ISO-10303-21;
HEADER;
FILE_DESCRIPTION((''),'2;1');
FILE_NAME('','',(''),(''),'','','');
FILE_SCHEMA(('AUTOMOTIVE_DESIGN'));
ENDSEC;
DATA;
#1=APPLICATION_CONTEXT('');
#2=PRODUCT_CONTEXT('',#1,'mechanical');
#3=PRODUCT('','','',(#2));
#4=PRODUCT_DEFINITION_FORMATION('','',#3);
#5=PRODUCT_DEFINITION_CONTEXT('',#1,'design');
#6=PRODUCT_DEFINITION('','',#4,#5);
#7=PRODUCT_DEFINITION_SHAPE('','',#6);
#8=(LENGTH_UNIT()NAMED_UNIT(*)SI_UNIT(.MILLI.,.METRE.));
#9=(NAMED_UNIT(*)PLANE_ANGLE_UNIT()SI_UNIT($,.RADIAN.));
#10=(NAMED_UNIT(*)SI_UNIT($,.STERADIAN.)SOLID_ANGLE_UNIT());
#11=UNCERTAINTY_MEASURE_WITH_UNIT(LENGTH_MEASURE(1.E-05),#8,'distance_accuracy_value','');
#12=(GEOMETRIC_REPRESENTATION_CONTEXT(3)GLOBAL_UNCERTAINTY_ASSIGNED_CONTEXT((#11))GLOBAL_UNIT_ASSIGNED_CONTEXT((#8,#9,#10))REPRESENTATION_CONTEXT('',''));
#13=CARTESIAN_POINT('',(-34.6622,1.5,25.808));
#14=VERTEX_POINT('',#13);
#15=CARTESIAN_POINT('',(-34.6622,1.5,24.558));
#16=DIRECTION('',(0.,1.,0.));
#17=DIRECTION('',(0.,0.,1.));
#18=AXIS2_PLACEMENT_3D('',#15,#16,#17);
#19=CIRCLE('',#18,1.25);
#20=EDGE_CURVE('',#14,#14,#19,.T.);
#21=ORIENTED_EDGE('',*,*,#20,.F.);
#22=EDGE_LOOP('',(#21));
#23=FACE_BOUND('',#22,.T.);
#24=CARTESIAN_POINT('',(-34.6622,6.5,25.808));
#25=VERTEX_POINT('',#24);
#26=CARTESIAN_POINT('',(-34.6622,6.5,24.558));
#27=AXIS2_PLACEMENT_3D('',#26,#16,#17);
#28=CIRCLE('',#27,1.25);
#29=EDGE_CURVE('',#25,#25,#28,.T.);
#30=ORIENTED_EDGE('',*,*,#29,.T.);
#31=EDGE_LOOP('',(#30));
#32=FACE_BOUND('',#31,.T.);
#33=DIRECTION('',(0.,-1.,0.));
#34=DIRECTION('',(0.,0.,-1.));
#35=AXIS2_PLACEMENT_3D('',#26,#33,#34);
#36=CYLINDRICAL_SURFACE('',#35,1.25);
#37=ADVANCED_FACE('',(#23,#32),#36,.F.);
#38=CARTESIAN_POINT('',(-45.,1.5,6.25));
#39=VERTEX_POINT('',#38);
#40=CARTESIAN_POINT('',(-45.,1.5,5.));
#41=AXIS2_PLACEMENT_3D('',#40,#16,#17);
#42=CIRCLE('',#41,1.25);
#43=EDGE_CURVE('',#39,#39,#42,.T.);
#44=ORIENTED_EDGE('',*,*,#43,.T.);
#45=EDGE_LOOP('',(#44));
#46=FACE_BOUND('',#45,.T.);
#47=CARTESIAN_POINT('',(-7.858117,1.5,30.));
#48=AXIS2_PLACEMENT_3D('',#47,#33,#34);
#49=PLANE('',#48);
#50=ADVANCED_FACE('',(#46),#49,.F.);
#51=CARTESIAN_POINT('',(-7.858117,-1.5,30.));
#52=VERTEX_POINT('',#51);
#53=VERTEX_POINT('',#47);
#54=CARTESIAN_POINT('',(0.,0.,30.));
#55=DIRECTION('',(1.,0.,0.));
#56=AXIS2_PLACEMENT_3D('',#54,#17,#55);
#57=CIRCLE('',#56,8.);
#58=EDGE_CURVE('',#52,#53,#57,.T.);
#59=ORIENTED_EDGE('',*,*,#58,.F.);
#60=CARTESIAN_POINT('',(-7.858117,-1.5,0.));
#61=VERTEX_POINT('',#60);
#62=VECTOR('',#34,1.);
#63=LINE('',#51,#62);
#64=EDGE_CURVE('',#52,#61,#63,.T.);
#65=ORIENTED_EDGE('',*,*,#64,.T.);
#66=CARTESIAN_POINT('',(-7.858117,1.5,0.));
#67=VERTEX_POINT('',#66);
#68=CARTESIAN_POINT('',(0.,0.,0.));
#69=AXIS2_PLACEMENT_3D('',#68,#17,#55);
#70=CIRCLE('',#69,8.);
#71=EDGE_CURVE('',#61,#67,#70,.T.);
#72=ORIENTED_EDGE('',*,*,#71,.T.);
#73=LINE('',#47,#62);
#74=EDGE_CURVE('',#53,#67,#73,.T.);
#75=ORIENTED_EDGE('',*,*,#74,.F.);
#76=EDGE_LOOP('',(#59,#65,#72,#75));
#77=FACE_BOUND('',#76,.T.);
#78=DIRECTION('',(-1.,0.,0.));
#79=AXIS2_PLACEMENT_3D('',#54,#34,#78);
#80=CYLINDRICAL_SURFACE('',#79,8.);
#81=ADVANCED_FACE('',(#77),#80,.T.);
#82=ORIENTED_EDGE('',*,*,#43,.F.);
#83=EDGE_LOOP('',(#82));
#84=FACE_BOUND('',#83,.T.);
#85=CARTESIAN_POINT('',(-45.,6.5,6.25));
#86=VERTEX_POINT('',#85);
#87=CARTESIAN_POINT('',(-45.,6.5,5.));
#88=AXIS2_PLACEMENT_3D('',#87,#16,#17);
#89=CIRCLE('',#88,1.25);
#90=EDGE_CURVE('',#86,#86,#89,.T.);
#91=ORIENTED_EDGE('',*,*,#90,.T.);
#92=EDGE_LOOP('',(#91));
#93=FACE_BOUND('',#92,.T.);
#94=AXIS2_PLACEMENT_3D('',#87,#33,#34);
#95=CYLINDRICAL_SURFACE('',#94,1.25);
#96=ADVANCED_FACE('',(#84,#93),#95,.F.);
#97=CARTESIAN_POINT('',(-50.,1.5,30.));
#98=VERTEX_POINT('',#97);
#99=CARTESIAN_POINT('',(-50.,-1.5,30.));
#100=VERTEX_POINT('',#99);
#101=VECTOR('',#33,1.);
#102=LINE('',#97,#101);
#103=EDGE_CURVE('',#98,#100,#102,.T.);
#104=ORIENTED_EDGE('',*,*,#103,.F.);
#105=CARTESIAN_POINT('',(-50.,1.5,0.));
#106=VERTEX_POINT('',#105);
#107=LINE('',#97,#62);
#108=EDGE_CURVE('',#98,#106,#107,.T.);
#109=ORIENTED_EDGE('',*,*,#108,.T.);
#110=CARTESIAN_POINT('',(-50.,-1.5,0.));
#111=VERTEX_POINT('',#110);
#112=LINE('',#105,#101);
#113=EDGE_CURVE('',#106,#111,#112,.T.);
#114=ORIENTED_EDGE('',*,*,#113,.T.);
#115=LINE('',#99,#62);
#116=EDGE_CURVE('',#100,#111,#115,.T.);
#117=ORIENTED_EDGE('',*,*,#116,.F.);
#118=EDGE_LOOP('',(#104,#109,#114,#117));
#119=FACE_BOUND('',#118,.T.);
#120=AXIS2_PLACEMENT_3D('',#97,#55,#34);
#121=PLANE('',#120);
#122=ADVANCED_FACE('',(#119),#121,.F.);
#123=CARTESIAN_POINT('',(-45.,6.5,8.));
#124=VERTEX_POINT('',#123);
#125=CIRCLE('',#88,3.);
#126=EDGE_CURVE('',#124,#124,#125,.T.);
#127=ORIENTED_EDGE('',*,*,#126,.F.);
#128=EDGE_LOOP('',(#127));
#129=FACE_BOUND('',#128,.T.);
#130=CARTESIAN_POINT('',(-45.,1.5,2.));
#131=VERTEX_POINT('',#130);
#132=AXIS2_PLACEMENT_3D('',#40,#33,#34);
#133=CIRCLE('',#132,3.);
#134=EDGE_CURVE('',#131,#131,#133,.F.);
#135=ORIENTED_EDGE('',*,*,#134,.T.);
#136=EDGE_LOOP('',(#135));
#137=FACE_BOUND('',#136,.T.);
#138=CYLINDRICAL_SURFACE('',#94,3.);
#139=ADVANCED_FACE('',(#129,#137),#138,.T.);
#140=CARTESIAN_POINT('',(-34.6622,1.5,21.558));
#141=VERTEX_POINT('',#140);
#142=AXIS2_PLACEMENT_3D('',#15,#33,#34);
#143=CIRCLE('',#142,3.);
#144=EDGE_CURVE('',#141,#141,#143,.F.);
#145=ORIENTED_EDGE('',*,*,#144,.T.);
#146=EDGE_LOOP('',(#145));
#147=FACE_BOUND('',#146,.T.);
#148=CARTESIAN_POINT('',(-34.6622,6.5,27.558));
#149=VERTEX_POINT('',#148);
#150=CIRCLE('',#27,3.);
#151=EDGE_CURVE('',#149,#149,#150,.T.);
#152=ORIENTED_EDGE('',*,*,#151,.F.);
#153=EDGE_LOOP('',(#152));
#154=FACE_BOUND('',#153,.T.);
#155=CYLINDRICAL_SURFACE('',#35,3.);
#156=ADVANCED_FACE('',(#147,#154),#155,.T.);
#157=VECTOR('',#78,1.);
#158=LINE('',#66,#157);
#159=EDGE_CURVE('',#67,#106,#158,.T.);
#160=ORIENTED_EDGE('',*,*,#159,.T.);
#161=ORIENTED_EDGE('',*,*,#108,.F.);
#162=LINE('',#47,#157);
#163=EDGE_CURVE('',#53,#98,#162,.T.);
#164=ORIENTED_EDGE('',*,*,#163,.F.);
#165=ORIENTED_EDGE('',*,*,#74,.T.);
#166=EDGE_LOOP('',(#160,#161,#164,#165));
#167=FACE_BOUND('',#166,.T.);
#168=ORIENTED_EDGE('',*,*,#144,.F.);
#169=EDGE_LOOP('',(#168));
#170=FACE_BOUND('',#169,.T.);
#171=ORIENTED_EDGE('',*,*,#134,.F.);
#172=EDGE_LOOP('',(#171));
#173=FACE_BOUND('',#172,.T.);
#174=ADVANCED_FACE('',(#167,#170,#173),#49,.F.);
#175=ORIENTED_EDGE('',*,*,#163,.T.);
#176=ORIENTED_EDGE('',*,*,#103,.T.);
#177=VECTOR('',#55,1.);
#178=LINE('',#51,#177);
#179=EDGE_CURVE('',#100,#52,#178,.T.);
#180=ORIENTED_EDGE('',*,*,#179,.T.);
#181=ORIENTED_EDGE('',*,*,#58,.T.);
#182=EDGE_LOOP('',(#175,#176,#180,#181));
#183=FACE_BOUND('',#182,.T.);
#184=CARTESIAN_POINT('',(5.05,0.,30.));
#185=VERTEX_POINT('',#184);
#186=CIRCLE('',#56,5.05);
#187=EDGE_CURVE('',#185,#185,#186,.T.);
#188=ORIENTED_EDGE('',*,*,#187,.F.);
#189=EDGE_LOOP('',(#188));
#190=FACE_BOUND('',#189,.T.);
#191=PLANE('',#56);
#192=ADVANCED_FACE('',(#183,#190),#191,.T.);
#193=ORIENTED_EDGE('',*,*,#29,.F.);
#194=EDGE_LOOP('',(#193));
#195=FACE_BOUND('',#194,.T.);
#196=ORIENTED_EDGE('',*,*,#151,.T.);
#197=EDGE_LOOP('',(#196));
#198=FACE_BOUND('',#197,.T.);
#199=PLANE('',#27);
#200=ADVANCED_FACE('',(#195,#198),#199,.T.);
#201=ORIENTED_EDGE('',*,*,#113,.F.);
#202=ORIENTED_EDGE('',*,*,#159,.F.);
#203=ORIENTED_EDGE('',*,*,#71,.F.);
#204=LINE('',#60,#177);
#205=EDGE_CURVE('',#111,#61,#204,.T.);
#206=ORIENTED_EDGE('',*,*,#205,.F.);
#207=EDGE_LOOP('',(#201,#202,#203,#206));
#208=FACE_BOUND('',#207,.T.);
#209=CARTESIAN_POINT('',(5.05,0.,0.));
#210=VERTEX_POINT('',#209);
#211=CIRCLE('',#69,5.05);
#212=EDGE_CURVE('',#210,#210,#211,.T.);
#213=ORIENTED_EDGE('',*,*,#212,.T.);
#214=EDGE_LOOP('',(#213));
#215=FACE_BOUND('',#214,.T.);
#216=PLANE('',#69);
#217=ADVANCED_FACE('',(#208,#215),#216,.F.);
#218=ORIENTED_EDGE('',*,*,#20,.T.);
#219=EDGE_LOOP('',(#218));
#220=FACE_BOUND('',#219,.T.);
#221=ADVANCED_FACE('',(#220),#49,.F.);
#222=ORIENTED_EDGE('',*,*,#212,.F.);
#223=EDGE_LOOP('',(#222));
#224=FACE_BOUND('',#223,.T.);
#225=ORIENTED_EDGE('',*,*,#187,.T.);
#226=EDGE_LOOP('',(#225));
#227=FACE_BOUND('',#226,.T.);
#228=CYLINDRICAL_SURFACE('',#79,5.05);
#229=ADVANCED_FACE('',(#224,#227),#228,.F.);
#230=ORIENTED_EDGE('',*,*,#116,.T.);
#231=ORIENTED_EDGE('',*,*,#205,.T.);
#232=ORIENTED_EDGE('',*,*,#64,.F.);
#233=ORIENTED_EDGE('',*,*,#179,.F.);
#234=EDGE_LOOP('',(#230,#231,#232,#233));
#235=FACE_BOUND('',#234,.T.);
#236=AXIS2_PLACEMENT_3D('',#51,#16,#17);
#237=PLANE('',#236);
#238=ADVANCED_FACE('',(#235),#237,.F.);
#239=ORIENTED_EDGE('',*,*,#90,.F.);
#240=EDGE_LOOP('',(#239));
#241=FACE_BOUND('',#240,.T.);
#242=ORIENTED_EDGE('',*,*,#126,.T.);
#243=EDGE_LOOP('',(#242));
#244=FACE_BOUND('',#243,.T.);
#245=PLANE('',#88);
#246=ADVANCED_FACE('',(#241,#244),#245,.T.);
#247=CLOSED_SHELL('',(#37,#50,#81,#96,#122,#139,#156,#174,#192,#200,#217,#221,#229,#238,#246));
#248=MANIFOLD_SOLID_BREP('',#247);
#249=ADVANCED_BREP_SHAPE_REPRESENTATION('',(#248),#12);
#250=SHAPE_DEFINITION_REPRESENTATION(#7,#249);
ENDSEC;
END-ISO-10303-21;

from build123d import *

# Parameters (mm, degrees)
SKETCH1_R           = 5.05
BOSS_EXTRUDE1_DEPTH = 30
SKETCH2_R           = 3
SKETCH2_R_2         = 1.25
BOSS_EXTRUDE2_DEPTH = 5


with BuildPart() as part:
    # Sketch1 → Boss-Extrude1 (new body)
    with BuildSketch(Plane.XY):
        with BuildLine():
            Line((-7.858116823, 1.5), (-50, 1.5))
            Line((-50, 1.5), (-50, -1.5))
            Line((-50, -1.5), (-7.858116823, -1.5))
            ThreePointArc((-7.858116823, -1.5), (8, 0), (-7.858116823, 1.5))
        make_face()
        Circle(SKETCH1_R, mode=Mode.SUBTRACT)
    extrude(amount=BOSS_EXTRUDE1_DEPTH)

    # Sketch2 → Boss-Extrude2 (add)
    # profile 1 of 2: a face of its own
    with BuildSketch(Plane(origin=(0, 1.5, 0), x_dir=(1, 0, 0), z_dir=(0, 1, 0))):
        with Locations(Location((-45, -5, 0), (0, 0, 90))):
            Circle(SKETCH2_R)
        with Locations(Location((-45, -5, 0), (0, 0, 270))):
            Circle(SKETCH2_R_2, mode=Mode.SUBTRACT)
    # profile 2 of 2: a face of its own
    with BuildSketch(Plane(origin=(0, 1.5, 0), x_dir=(1, 0, 0), z_dir=(0, 1, 0))):
        with Locations(Location((-34.6622, -24.558, 0), (0, 0, 90))):
            Circle(SKETCH2_R)
        with Locations(Location((-34.6622, -24.558, 0), (0, 0, 270))):
            Circle(SKETCH2_R_2, mode=Mode.SUBTRACT)
    extrude(amount=BOSS_EXTRUDE2_DEPTH)


solid = part.part
